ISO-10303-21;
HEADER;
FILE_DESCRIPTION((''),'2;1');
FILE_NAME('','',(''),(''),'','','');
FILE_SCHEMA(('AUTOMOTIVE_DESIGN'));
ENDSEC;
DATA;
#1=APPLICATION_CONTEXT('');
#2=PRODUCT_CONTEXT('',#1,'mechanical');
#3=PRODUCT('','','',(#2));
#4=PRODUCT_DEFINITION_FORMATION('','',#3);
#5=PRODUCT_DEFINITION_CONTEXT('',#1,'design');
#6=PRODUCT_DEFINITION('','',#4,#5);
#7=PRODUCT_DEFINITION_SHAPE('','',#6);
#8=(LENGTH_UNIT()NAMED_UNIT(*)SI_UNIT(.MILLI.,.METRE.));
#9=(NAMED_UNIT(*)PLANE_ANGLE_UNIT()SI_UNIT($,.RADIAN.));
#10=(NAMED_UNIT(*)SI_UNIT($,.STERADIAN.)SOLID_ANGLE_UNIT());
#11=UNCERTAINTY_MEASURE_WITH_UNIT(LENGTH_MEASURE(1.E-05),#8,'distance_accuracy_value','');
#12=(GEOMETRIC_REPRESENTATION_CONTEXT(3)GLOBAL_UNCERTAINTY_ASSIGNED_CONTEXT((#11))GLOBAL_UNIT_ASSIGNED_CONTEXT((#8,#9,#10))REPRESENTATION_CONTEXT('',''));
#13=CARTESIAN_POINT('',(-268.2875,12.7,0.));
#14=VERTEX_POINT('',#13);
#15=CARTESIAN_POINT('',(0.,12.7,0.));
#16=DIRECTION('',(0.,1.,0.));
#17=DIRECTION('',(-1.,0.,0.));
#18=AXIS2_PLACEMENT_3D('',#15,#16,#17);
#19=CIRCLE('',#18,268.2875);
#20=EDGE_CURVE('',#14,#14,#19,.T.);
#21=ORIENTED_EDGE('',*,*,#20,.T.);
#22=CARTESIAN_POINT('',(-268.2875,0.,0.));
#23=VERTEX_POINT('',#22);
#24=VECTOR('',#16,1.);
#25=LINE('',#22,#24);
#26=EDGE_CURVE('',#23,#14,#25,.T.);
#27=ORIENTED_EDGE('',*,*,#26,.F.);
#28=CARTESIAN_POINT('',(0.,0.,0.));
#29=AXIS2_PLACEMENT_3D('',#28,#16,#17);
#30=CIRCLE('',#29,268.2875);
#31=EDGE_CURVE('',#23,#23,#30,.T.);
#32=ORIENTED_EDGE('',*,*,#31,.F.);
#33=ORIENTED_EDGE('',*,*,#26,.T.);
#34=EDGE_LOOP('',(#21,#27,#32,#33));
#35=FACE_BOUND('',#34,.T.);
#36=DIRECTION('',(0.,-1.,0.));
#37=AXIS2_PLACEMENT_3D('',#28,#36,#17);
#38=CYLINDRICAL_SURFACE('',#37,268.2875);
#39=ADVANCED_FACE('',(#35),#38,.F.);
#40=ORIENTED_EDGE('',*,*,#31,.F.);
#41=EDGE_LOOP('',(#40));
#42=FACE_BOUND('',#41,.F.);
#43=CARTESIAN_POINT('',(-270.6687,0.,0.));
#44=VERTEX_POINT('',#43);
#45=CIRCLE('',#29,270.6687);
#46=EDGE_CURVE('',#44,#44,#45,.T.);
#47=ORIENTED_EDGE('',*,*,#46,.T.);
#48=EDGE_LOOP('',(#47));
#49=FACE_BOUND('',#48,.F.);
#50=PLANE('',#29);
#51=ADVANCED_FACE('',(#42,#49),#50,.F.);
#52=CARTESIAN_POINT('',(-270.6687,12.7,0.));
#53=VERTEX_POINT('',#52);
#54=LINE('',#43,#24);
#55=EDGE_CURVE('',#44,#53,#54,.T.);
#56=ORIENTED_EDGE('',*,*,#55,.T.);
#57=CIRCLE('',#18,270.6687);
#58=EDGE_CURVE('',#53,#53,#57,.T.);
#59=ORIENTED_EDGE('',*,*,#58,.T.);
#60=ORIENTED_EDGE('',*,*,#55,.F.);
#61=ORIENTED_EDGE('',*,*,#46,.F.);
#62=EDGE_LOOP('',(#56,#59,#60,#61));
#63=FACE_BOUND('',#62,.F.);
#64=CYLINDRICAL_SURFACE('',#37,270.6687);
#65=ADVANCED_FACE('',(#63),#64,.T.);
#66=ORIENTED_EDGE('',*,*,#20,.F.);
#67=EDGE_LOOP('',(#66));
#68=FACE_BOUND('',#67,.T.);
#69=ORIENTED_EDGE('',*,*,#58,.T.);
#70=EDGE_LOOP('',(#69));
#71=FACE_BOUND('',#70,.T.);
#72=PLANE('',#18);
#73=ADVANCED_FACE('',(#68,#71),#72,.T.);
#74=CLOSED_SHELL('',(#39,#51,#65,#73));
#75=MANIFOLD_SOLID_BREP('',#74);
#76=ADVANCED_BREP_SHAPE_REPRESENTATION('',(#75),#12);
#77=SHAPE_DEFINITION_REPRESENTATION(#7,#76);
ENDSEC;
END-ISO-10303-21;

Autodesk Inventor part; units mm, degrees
ref_plane "YZ Plane" through (0, 0, 0) normal (1, 0, 0) x (0, 1, 0)
ref_plane "XZ Plane" through (0, 0, 0) normal (0, 1, 0) x (-1, 0, 0)
ref_plane "XY Plane" through (0, 0, 0) normal (0, 0, 1) x (1, 0, 0)
sketch "Sketch1" plane through (0, 0, 0) normal (0, 1, 0) x (-1, 0, 0)
  circle A0 centre (0, 0) radius 268.2875
  circle A1 centre (0, 0) radius 270.6687
  dimension "d0" = 2.3813
  dimension "d1" = 536.575
extrude "Extrusion1" add sketch "Sketch1" along normal blind 12.7
properties part number "CAR_022_AluminumRing" material "Aluminum 6061"
